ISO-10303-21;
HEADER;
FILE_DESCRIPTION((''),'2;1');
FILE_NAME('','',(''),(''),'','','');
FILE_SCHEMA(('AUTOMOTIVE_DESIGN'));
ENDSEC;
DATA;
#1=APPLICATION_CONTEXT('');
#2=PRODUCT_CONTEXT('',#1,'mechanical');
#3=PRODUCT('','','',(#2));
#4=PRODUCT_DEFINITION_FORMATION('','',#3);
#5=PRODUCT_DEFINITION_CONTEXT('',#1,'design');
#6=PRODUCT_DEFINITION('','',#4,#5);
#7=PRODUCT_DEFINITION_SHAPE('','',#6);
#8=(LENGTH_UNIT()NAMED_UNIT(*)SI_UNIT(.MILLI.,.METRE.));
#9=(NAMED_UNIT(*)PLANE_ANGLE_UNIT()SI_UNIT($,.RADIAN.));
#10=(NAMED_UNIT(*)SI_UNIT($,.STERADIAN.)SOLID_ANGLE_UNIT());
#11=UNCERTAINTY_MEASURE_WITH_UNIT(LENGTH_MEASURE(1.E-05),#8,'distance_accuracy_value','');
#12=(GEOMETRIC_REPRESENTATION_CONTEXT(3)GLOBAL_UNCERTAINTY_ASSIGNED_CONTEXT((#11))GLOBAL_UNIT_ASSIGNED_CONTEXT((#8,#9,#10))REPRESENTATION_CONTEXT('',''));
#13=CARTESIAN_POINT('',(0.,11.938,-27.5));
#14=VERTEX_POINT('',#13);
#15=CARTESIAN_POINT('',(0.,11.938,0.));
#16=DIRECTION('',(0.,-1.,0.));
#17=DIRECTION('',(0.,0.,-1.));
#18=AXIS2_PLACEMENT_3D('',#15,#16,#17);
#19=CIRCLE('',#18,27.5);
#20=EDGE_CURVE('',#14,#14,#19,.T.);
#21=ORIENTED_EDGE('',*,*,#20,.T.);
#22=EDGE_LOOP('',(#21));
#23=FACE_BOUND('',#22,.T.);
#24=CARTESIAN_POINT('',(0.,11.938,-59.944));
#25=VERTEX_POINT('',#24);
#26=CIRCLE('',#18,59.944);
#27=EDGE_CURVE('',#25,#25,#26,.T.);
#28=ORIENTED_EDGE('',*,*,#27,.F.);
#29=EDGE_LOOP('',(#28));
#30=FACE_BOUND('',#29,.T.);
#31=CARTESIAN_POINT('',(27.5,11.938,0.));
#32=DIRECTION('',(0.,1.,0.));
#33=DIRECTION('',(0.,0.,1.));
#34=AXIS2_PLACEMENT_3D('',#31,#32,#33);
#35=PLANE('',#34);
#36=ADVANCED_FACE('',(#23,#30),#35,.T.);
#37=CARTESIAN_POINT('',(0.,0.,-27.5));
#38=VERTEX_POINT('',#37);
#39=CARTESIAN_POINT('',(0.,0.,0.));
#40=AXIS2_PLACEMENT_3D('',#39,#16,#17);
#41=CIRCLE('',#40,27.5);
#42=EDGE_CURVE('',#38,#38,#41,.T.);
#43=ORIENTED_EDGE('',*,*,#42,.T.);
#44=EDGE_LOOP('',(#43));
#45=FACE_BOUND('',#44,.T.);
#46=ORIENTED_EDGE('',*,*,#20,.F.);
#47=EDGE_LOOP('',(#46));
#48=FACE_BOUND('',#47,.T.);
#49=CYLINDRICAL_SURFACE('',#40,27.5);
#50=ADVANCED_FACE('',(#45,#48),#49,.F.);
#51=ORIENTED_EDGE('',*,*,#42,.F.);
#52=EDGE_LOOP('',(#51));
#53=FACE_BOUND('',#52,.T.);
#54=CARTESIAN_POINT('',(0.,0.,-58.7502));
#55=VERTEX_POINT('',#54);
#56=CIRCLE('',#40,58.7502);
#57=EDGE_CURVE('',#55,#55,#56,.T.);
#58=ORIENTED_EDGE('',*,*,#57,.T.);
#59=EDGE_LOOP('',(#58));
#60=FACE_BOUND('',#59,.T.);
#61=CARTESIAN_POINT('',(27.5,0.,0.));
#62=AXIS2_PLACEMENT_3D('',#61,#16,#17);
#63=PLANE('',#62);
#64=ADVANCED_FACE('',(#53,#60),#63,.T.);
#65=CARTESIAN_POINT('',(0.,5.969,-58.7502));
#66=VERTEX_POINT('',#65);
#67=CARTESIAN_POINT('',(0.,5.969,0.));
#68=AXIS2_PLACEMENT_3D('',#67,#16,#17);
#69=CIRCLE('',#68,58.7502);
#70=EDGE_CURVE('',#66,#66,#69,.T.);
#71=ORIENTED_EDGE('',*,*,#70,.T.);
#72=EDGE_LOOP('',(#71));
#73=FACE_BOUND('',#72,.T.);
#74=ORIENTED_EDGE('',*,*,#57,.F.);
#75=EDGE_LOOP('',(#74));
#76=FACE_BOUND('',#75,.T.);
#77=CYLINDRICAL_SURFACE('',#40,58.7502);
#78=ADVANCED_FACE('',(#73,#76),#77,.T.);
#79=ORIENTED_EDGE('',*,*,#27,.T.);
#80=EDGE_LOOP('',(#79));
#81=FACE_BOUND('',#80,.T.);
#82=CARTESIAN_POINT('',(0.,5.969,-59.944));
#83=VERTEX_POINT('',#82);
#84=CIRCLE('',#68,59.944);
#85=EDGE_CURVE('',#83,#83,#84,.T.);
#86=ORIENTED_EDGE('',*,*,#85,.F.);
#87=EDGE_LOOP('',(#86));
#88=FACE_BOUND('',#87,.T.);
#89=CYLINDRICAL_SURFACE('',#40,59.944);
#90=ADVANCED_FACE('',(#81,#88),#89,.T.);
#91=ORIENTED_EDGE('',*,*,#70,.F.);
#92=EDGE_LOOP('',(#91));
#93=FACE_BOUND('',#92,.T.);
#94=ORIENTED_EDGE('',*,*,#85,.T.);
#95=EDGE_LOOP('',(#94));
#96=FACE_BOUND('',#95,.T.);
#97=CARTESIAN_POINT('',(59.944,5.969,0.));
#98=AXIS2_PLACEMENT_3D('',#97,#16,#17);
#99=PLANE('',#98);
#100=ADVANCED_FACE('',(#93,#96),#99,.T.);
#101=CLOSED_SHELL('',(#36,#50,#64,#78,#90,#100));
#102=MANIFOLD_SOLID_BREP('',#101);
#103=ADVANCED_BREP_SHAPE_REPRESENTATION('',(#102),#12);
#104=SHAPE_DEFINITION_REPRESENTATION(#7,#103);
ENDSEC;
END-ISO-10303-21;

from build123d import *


with BuildPart() as part:
    # Sketch1 → Revolve1 (revolve)
    with BuildSketch(Plane.XY, mode=Mode.PRIVATE) as revolve1_sk:
        Polygon((27.5, 11.938), (59.944, 11.938), (59.944, 5.969), (58.7502, 5.969), (58.7502, 0), (27.5, 0), align=None)
    revolve(revolve1_sk.sketch.rotate(Axis((0, 0, 0), (0, 1, 0)), 90), axis=Axis((0, 0, 0), (0, 1, 0)))


solid = part.part
